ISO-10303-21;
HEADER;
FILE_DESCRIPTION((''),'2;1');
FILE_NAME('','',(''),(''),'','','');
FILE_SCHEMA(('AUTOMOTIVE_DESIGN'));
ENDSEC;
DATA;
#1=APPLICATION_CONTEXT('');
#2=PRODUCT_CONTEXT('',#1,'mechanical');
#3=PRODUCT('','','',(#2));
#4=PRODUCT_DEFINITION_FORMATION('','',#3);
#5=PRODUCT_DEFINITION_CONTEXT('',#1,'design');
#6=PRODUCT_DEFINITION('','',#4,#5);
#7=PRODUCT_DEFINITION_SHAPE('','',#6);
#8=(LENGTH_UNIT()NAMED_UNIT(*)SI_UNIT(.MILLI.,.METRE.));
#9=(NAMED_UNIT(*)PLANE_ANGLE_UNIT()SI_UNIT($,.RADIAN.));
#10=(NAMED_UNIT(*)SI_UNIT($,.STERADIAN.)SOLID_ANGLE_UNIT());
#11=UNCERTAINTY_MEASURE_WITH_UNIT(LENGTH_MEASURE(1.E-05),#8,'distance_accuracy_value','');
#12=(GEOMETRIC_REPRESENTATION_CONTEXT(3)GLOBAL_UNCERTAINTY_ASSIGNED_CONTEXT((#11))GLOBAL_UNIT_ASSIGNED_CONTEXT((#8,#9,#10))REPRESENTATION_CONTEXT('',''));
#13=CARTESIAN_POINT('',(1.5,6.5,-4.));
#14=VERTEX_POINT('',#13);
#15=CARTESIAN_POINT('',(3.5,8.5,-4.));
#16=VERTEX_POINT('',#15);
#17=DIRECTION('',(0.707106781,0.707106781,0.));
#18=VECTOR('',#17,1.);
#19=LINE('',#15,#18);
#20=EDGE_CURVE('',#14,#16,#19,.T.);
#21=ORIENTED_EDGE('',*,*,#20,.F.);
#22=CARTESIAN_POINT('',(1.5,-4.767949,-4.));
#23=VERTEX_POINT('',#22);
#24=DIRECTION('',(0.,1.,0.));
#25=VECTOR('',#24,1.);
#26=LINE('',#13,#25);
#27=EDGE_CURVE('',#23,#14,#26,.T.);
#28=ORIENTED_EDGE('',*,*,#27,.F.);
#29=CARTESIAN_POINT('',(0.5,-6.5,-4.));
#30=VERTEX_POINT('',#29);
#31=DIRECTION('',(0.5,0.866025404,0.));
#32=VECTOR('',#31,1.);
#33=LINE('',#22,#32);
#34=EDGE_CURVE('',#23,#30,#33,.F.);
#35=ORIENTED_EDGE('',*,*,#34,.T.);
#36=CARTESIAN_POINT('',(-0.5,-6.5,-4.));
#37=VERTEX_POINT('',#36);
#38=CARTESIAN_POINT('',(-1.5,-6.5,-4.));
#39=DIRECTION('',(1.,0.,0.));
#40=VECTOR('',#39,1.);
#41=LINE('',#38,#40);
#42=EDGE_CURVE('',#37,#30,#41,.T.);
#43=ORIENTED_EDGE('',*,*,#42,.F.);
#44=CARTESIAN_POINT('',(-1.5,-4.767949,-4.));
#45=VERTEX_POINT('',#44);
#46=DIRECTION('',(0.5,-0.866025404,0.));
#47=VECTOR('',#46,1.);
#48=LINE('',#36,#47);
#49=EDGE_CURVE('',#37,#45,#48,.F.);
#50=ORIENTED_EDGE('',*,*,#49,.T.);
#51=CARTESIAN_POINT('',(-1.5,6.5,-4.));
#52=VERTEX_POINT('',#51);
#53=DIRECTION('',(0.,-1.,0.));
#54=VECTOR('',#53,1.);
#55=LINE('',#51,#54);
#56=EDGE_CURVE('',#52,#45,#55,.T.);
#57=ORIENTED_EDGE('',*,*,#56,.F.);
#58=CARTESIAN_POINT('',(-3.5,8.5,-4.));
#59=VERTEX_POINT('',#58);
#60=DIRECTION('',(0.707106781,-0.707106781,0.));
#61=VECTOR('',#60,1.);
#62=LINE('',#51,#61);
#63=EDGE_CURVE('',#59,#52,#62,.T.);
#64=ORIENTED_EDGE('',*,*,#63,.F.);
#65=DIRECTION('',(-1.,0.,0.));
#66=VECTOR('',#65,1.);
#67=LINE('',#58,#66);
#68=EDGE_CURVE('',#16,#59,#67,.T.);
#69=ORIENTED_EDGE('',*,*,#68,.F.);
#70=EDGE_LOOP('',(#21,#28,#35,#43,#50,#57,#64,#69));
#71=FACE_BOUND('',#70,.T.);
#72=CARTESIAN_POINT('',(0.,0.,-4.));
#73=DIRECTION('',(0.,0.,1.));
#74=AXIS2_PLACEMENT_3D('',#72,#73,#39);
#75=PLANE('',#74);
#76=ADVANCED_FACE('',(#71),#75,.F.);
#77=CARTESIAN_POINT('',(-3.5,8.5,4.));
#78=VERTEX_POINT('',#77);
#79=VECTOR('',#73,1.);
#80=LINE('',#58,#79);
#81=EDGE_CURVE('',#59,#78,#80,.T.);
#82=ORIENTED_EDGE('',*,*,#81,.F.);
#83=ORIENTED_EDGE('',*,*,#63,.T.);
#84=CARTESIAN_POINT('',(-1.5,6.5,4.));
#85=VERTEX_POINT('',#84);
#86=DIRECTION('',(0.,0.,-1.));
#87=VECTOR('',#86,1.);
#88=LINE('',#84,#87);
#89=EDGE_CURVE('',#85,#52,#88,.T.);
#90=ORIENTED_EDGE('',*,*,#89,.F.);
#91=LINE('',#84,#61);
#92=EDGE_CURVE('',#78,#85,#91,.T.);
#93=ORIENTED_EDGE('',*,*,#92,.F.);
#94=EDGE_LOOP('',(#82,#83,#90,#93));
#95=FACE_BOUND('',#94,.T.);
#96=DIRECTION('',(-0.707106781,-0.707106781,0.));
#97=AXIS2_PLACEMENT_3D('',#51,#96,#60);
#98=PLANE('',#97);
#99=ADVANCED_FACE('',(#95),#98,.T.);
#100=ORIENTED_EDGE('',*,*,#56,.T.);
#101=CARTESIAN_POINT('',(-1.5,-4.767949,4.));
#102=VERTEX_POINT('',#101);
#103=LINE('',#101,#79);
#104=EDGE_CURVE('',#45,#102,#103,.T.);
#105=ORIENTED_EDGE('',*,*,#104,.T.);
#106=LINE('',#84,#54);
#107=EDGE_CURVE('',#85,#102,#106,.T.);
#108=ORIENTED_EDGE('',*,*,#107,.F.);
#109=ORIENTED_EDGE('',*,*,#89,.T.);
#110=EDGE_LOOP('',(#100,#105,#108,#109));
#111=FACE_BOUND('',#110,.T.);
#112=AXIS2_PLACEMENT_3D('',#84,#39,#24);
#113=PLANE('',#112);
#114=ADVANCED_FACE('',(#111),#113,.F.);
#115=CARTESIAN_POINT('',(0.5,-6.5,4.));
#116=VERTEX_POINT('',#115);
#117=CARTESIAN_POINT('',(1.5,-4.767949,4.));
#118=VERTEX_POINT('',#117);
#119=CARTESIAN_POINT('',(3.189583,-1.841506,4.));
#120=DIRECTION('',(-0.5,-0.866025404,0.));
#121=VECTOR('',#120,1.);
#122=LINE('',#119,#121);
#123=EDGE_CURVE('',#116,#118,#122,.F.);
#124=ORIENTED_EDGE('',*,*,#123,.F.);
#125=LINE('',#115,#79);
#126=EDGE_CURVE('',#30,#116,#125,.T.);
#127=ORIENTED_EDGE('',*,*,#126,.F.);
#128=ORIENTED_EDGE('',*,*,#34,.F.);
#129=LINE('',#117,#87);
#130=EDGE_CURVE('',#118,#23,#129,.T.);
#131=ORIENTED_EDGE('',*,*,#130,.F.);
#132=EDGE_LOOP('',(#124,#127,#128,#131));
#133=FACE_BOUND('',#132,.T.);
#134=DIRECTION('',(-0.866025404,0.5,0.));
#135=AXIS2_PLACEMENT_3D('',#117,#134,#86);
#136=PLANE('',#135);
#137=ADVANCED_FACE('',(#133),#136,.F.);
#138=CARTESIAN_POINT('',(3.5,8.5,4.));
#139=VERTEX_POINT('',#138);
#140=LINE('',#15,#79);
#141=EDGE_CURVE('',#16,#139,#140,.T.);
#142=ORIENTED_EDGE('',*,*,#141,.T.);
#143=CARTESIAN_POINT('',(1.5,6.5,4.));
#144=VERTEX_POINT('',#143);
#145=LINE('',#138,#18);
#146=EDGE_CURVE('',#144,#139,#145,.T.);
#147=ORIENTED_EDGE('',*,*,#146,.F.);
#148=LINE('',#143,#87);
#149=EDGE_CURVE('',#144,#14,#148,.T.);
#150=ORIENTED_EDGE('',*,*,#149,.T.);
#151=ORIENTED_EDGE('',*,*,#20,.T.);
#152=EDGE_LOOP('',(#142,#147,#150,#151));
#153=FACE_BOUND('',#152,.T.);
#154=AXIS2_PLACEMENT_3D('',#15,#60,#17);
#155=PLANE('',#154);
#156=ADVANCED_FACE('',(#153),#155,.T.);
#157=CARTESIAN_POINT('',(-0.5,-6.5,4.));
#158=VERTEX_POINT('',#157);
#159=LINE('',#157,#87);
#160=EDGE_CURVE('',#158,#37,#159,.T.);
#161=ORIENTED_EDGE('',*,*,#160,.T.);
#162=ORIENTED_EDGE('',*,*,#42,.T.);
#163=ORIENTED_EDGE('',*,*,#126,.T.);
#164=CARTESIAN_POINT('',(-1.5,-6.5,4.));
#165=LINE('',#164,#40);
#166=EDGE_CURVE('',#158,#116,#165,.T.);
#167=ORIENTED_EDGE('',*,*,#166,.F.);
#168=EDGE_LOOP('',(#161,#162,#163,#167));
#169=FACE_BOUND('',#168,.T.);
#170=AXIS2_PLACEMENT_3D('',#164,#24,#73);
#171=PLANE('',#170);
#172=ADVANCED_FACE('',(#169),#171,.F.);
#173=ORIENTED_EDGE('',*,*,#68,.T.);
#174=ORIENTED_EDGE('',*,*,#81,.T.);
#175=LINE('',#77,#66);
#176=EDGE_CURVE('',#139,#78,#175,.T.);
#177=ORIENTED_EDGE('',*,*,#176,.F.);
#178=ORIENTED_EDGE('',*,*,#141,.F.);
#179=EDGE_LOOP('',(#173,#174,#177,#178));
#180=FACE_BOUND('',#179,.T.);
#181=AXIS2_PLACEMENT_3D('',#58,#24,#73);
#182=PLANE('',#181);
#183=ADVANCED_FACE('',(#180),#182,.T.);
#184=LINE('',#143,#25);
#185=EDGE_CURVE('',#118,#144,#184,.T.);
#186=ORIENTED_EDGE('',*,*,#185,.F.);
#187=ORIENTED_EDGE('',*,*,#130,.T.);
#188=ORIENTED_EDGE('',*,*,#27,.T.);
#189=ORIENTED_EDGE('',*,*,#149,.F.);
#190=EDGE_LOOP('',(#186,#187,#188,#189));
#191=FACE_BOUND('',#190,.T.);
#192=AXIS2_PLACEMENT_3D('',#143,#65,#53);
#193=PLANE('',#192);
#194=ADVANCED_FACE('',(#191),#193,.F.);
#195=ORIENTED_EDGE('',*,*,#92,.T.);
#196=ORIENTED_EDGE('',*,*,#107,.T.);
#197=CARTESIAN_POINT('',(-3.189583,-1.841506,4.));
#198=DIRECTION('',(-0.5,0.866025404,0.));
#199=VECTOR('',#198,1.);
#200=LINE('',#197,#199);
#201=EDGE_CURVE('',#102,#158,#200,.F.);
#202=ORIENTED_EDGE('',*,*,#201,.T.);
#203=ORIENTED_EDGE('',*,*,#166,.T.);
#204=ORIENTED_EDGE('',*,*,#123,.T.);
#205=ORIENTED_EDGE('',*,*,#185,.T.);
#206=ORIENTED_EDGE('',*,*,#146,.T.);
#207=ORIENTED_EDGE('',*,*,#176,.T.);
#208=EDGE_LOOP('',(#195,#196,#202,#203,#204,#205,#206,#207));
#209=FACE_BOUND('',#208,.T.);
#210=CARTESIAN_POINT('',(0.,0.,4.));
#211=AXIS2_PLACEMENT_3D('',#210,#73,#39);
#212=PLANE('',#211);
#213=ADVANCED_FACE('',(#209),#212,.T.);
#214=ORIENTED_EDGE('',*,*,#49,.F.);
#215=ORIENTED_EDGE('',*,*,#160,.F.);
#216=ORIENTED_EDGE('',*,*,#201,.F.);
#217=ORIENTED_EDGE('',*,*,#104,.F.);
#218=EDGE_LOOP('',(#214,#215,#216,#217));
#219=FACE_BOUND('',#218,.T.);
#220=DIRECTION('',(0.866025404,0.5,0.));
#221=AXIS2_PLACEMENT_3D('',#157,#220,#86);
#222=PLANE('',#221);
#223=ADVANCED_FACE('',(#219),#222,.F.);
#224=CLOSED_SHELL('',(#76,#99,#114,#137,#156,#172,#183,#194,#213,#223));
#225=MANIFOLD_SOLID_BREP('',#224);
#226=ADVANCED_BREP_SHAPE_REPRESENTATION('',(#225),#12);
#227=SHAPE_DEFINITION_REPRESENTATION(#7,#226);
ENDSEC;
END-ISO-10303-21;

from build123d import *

# Parameters (mm, degrees)
SKETCH1_W           = 3
SKETCH1_H           = 13
BOSS_EXTRUDE1_DEPTH = 4
BOSS_EXTRUDE2_DEPTH = 8
CHAMFER1_SIZE       = 1
CHAMFER1_SIZE2      = 1.732050808


with BuildPart() as part:
    # Sketch1 → Boss-Extrude1 (new, symmetric)
    with BuildSketch(Plane.XY):
        Rectangle(SKETCH1_W, SKETCH1_H)
    extrude(amount=BOSS_EXTRUDE1_DEPTH, both=True)

    # Sketch2 → Boss-Extrude2 (add)
    with BuildSketch(Plane.XY.offset(4)):
        Polygon((-1.5, 6.5), (-3.5, 8.5), (3.5, 8.5), (1.5, 6.5), align=None)
    extrude(amount=-BOSS_EXTRUDE2_DEPTH)

    # Chamfer1
    chamfer1_edges = [part.edges().sort_by_distance(p)[0] for p in [
        (1.5, -6.5, 0),
        (-1.5, -6.5, 0),
    ]]
    chamfer1_side = [part.faces().sort_by_distance(p)[0] for p in [
        (0, -6.5, 0),
    ]]
    chamfer(chamfer1_edges, length=CHAMFER1_SIZE, length2=CHAMFER1_SIZE2, reference=chamfer1_side[0])


solid = part.part
